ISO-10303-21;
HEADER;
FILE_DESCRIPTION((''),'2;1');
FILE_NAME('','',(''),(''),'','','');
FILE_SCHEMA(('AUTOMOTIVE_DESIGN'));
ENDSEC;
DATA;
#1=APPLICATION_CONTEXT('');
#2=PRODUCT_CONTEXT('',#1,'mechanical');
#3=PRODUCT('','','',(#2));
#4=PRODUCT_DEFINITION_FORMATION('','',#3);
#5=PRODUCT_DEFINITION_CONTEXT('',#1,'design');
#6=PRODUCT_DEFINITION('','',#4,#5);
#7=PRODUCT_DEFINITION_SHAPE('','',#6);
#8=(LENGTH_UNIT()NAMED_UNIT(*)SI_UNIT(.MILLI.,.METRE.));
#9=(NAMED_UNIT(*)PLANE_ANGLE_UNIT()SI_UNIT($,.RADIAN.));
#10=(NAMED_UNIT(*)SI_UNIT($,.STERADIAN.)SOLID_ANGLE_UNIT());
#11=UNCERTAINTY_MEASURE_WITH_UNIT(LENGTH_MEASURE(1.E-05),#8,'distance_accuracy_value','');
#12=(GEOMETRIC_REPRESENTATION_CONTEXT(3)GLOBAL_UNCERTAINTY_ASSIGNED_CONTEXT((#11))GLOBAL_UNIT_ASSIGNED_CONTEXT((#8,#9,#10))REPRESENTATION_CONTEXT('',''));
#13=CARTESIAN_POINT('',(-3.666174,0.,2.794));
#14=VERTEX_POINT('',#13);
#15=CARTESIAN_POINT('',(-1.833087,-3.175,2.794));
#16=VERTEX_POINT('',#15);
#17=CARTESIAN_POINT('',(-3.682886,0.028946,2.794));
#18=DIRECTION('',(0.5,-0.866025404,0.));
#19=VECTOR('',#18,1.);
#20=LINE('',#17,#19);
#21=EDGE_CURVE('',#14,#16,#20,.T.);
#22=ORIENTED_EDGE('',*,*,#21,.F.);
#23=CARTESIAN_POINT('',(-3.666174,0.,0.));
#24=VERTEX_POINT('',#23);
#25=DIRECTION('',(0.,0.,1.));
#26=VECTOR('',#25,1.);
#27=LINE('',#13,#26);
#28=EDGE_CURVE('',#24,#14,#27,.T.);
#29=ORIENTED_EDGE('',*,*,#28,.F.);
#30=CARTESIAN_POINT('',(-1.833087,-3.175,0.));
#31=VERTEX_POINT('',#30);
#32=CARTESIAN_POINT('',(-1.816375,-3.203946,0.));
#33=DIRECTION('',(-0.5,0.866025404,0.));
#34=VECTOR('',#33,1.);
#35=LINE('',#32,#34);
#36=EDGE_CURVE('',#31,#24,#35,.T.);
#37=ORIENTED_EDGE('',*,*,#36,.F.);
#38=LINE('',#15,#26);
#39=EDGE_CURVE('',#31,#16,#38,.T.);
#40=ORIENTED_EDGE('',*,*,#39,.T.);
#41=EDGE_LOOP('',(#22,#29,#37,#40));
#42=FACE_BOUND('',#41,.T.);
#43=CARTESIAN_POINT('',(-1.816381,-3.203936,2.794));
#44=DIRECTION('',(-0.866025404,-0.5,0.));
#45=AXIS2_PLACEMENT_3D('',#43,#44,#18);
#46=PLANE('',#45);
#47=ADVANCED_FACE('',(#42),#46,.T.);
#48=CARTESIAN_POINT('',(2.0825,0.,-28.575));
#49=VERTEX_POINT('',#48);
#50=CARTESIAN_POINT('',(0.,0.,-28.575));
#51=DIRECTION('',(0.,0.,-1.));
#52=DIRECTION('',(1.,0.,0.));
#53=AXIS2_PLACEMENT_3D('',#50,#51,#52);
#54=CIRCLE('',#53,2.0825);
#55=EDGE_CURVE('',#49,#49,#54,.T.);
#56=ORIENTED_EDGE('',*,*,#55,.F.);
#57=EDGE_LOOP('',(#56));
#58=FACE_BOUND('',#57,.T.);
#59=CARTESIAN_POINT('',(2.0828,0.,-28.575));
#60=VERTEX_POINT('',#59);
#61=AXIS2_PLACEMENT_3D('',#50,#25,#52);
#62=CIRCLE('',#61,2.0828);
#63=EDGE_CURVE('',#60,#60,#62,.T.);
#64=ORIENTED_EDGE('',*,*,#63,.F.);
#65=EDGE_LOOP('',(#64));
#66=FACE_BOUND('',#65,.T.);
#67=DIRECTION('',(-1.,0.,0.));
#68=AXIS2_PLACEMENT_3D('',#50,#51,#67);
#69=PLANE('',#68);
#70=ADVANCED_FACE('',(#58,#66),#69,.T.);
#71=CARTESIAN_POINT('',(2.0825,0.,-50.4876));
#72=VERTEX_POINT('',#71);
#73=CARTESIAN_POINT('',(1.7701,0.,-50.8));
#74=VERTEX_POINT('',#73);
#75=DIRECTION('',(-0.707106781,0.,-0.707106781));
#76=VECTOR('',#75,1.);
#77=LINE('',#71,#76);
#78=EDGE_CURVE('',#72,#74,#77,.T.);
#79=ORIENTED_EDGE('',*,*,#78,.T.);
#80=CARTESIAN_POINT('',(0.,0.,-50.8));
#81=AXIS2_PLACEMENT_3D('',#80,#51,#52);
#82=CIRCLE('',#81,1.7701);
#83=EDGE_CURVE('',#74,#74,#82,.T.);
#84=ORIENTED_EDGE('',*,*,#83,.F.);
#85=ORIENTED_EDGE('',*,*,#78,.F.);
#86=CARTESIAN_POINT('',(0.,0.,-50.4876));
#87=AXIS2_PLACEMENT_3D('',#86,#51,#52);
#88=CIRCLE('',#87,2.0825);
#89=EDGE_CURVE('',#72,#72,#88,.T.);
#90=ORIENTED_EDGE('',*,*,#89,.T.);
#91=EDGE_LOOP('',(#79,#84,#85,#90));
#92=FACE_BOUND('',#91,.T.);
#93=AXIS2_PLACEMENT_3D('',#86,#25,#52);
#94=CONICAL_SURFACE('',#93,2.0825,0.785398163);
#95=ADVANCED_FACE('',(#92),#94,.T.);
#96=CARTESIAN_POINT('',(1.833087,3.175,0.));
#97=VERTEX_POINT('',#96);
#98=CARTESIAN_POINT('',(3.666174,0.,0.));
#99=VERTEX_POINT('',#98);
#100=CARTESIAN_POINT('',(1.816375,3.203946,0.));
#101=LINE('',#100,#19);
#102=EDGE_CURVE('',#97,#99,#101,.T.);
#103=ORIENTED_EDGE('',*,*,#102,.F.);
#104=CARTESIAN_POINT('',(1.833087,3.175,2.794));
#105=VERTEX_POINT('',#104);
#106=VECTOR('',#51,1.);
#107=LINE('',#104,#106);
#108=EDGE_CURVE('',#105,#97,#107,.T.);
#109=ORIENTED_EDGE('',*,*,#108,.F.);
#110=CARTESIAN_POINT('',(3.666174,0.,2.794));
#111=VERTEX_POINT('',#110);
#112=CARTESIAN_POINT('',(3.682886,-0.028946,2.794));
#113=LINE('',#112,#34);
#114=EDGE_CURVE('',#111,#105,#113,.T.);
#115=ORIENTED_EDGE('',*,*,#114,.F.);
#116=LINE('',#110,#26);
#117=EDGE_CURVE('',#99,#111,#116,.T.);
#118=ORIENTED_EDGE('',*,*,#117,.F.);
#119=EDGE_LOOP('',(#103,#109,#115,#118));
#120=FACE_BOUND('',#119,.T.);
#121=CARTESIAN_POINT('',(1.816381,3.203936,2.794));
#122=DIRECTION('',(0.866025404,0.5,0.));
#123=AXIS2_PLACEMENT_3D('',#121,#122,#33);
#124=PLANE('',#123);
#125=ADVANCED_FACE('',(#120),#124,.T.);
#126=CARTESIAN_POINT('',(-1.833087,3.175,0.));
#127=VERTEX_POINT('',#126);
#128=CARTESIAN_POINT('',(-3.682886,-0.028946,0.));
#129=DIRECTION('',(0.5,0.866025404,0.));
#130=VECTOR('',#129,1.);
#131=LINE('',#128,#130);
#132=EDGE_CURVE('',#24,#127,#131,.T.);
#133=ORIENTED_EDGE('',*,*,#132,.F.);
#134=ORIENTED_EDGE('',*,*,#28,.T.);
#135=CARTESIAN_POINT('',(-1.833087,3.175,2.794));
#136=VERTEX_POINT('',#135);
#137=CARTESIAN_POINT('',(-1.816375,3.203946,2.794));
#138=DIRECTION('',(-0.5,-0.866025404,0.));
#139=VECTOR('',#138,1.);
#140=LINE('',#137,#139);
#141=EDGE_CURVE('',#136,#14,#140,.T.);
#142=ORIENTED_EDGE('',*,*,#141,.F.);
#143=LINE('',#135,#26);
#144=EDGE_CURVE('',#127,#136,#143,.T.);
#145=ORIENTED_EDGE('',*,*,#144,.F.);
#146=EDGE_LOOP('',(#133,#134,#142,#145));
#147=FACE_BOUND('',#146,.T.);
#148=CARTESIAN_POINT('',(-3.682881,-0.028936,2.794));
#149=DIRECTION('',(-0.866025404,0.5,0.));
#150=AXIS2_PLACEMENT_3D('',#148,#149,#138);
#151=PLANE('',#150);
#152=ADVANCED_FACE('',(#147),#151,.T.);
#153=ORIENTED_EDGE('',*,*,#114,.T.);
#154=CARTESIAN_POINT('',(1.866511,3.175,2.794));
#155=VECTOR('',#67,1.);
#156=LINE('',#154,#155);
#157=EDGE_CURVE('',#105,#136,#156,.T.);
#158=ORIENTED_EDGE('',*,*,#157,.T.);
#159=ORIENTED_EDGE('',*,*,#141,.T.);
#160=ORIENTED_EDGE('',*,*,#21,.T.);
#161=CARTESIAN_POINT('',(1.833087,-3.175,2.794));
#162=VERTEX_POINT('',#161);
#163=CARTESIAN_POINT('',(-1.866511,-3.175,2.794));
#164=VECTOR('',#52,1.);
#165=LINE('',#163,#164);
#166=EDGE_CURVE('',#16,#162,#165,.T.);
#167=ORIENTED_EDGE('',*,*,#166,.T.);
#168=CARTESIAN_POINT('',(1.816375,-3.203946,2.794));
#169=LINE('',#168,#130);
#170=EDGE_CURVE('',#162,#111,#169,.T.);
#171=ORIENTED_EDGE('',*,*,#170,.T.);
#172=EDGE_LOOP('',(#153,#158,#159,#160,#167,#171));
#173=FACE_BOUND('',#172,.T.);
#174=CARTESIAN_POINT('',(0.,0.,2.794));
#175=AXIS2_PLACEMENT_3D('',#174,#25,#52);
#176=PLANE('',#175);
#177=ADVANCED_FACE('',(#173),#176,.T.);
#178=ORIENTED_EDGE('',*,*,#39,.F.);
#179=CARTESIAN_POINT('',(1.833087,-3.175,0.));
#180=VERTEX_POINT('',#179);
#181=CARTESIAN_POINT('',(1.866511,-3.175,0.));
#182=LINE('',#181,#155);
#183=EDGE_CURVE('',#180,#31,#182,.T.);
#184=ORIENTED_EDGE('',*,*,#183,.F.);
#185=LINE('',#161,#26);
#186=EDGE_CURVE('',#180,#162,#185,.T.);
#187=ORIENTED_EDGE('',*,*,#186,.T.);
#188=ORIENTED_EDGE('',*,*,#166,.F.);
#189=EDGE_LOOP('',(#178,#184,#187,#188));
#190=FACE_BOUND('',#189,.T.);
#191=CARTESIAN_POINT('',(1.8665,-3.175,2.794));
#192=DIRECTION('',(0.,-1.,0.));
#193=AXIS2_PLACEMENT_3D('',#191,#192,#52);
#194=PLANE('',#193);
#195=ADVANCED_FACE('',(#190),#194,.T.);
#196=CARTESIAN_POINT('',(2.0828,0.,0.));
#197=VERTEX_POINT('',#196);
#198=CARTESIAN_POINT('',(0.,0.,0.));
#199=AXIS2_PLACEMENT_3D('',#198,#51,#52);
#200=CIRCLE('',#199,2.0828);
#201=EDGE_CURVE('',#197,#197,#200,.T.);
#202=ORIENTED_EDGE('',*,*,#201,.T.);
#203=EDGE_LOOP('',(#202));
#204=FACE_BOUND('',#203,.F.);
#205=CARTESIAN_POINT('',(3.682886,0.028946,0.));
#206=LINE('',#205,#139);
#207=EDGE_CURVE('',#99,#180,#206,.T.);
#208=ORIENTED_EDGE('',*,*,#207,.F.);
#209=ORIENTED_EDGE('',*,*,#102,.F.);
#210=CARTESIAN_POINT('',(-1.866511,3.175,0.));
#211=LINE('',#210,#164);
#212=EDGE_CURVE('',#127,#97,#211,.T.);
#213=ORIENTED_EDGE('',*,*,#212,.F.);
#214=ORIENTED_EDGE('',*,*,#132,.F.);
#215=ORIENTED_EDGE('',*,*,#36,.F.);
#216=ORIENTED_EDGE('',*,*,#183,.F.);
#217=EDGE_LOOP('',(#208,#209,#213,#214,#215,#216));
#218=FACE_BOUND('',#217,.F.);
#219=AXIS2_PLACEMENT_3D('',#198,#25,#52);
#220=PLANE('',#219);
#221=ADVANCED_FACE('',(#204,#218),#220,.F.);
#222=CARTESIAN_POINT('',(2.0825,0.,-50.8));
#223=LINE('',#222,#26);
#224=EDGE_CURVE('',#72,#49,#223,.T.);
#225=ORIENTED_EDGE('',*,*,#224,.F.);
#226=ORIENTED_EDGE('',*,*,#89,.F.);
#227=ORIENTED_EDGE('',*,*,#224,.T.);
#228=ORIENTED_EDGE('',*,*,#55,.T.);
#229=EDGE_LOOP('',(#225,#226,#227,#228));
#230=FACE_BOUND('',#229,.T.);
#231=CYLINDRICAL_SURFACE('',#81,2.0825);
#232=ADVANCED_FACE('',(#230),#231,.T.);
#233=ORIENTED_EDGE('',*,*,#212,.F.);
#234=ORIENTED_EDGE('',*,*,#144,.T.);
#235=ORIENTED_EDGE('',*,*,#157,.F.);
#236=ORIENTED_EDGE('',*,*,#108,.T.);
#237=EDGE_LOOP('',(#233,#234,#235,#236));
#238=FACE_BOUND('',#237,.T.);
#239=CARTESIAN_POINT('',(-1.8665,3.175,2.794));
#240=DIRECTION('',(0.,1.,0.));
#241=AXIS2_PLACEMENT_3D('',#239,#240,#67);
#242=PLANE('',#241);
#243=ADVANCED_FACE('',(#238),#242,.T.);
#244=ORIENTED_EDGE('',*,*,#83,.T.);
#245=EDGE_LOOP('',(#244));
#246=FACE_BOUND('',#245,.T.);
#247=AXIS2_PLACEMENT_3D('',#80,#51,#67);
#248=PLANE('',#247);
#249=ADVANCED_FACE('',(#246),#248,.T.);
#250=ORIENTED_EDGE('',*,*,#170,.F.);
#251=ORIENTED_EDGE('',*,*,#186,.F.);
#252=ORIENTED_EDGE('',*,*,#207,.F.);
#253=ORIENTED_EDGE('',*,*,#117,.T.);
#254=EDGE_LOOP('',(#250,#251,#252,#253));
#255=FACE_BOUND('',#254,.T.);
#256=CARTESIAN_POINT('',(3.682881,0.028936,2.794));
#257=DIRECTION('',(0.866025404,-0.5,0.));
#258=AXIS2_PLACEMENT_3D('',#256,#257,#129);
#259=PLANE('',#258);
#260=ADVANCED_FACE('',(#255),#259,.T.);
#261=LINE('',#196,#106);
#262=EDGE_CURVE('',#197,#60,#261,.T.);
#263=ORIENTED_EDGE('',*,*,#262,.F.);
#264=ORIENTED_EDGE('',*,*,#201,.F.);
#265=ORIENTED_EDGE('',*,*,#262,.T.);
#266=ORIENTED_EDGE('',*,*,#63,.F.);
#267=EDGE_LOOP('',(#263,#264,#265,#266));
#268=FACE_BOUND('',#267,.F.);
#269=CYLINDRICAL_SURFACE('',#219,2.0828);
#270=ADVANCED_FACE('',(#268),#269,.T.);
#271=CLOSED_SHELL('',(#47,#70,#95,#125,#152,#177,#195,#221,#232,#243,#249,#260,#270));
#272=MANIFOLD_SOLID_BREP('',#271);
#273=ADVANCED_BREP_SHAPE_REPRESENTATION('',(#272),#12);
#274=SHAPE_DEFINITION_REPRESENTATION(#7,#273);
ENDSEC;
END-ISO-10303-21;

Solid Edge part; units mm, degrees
sketch "Sketch1" plane through (0, 0, 0) normal (0, 0, 1) x (1, 0, 0)
  circle A0 centre (0, 0) radius 3.683
  dimension "D1" = 7.366
extrude "Protrusion1" add sketch "Sketch1" along normal blind 2.794
sketch "Sketch2" plane through (0, 0, 0) normal (0, 0, -1) x (1, 0, 0)
  circle A0 centre (0, 0) radius 2.0828
extrude "Protrusion2" add sketch "Sketch2" along normal blind 50.8
sketch "Sketch3" plane through (0, 0, -50.8) normal (0, 0, -1) x (1, 0, 0)
  circle A0 centre (0, 0) radius 2.0825
extrude "Cutout1" cut sketch "Sketch3" against normal blind 22.225 flip side to cut
chamfer "Chamfer_1" distance 0.3124 angle 45 1 edges at (-2.0825, 0, -50.8)
sketch "Sketch4" plane through (0, 0, 2.794) normal (0, 0, 1) x (1, 0, 0)
  line L0 (-1.8665, 3.175) -> (1.8665, 3.175)
  dimension "D1" = 6.35
extrude "Cutout2" cut sketch "Sketch4" against normal up to next material side at (0, 3.225, 2.794)
pattern_circular "Pattern1" count 6 over 360 about axis through (0, 0, 2.794) along (0, 0, 1) of "Cutout2"
properties part number "181613"
